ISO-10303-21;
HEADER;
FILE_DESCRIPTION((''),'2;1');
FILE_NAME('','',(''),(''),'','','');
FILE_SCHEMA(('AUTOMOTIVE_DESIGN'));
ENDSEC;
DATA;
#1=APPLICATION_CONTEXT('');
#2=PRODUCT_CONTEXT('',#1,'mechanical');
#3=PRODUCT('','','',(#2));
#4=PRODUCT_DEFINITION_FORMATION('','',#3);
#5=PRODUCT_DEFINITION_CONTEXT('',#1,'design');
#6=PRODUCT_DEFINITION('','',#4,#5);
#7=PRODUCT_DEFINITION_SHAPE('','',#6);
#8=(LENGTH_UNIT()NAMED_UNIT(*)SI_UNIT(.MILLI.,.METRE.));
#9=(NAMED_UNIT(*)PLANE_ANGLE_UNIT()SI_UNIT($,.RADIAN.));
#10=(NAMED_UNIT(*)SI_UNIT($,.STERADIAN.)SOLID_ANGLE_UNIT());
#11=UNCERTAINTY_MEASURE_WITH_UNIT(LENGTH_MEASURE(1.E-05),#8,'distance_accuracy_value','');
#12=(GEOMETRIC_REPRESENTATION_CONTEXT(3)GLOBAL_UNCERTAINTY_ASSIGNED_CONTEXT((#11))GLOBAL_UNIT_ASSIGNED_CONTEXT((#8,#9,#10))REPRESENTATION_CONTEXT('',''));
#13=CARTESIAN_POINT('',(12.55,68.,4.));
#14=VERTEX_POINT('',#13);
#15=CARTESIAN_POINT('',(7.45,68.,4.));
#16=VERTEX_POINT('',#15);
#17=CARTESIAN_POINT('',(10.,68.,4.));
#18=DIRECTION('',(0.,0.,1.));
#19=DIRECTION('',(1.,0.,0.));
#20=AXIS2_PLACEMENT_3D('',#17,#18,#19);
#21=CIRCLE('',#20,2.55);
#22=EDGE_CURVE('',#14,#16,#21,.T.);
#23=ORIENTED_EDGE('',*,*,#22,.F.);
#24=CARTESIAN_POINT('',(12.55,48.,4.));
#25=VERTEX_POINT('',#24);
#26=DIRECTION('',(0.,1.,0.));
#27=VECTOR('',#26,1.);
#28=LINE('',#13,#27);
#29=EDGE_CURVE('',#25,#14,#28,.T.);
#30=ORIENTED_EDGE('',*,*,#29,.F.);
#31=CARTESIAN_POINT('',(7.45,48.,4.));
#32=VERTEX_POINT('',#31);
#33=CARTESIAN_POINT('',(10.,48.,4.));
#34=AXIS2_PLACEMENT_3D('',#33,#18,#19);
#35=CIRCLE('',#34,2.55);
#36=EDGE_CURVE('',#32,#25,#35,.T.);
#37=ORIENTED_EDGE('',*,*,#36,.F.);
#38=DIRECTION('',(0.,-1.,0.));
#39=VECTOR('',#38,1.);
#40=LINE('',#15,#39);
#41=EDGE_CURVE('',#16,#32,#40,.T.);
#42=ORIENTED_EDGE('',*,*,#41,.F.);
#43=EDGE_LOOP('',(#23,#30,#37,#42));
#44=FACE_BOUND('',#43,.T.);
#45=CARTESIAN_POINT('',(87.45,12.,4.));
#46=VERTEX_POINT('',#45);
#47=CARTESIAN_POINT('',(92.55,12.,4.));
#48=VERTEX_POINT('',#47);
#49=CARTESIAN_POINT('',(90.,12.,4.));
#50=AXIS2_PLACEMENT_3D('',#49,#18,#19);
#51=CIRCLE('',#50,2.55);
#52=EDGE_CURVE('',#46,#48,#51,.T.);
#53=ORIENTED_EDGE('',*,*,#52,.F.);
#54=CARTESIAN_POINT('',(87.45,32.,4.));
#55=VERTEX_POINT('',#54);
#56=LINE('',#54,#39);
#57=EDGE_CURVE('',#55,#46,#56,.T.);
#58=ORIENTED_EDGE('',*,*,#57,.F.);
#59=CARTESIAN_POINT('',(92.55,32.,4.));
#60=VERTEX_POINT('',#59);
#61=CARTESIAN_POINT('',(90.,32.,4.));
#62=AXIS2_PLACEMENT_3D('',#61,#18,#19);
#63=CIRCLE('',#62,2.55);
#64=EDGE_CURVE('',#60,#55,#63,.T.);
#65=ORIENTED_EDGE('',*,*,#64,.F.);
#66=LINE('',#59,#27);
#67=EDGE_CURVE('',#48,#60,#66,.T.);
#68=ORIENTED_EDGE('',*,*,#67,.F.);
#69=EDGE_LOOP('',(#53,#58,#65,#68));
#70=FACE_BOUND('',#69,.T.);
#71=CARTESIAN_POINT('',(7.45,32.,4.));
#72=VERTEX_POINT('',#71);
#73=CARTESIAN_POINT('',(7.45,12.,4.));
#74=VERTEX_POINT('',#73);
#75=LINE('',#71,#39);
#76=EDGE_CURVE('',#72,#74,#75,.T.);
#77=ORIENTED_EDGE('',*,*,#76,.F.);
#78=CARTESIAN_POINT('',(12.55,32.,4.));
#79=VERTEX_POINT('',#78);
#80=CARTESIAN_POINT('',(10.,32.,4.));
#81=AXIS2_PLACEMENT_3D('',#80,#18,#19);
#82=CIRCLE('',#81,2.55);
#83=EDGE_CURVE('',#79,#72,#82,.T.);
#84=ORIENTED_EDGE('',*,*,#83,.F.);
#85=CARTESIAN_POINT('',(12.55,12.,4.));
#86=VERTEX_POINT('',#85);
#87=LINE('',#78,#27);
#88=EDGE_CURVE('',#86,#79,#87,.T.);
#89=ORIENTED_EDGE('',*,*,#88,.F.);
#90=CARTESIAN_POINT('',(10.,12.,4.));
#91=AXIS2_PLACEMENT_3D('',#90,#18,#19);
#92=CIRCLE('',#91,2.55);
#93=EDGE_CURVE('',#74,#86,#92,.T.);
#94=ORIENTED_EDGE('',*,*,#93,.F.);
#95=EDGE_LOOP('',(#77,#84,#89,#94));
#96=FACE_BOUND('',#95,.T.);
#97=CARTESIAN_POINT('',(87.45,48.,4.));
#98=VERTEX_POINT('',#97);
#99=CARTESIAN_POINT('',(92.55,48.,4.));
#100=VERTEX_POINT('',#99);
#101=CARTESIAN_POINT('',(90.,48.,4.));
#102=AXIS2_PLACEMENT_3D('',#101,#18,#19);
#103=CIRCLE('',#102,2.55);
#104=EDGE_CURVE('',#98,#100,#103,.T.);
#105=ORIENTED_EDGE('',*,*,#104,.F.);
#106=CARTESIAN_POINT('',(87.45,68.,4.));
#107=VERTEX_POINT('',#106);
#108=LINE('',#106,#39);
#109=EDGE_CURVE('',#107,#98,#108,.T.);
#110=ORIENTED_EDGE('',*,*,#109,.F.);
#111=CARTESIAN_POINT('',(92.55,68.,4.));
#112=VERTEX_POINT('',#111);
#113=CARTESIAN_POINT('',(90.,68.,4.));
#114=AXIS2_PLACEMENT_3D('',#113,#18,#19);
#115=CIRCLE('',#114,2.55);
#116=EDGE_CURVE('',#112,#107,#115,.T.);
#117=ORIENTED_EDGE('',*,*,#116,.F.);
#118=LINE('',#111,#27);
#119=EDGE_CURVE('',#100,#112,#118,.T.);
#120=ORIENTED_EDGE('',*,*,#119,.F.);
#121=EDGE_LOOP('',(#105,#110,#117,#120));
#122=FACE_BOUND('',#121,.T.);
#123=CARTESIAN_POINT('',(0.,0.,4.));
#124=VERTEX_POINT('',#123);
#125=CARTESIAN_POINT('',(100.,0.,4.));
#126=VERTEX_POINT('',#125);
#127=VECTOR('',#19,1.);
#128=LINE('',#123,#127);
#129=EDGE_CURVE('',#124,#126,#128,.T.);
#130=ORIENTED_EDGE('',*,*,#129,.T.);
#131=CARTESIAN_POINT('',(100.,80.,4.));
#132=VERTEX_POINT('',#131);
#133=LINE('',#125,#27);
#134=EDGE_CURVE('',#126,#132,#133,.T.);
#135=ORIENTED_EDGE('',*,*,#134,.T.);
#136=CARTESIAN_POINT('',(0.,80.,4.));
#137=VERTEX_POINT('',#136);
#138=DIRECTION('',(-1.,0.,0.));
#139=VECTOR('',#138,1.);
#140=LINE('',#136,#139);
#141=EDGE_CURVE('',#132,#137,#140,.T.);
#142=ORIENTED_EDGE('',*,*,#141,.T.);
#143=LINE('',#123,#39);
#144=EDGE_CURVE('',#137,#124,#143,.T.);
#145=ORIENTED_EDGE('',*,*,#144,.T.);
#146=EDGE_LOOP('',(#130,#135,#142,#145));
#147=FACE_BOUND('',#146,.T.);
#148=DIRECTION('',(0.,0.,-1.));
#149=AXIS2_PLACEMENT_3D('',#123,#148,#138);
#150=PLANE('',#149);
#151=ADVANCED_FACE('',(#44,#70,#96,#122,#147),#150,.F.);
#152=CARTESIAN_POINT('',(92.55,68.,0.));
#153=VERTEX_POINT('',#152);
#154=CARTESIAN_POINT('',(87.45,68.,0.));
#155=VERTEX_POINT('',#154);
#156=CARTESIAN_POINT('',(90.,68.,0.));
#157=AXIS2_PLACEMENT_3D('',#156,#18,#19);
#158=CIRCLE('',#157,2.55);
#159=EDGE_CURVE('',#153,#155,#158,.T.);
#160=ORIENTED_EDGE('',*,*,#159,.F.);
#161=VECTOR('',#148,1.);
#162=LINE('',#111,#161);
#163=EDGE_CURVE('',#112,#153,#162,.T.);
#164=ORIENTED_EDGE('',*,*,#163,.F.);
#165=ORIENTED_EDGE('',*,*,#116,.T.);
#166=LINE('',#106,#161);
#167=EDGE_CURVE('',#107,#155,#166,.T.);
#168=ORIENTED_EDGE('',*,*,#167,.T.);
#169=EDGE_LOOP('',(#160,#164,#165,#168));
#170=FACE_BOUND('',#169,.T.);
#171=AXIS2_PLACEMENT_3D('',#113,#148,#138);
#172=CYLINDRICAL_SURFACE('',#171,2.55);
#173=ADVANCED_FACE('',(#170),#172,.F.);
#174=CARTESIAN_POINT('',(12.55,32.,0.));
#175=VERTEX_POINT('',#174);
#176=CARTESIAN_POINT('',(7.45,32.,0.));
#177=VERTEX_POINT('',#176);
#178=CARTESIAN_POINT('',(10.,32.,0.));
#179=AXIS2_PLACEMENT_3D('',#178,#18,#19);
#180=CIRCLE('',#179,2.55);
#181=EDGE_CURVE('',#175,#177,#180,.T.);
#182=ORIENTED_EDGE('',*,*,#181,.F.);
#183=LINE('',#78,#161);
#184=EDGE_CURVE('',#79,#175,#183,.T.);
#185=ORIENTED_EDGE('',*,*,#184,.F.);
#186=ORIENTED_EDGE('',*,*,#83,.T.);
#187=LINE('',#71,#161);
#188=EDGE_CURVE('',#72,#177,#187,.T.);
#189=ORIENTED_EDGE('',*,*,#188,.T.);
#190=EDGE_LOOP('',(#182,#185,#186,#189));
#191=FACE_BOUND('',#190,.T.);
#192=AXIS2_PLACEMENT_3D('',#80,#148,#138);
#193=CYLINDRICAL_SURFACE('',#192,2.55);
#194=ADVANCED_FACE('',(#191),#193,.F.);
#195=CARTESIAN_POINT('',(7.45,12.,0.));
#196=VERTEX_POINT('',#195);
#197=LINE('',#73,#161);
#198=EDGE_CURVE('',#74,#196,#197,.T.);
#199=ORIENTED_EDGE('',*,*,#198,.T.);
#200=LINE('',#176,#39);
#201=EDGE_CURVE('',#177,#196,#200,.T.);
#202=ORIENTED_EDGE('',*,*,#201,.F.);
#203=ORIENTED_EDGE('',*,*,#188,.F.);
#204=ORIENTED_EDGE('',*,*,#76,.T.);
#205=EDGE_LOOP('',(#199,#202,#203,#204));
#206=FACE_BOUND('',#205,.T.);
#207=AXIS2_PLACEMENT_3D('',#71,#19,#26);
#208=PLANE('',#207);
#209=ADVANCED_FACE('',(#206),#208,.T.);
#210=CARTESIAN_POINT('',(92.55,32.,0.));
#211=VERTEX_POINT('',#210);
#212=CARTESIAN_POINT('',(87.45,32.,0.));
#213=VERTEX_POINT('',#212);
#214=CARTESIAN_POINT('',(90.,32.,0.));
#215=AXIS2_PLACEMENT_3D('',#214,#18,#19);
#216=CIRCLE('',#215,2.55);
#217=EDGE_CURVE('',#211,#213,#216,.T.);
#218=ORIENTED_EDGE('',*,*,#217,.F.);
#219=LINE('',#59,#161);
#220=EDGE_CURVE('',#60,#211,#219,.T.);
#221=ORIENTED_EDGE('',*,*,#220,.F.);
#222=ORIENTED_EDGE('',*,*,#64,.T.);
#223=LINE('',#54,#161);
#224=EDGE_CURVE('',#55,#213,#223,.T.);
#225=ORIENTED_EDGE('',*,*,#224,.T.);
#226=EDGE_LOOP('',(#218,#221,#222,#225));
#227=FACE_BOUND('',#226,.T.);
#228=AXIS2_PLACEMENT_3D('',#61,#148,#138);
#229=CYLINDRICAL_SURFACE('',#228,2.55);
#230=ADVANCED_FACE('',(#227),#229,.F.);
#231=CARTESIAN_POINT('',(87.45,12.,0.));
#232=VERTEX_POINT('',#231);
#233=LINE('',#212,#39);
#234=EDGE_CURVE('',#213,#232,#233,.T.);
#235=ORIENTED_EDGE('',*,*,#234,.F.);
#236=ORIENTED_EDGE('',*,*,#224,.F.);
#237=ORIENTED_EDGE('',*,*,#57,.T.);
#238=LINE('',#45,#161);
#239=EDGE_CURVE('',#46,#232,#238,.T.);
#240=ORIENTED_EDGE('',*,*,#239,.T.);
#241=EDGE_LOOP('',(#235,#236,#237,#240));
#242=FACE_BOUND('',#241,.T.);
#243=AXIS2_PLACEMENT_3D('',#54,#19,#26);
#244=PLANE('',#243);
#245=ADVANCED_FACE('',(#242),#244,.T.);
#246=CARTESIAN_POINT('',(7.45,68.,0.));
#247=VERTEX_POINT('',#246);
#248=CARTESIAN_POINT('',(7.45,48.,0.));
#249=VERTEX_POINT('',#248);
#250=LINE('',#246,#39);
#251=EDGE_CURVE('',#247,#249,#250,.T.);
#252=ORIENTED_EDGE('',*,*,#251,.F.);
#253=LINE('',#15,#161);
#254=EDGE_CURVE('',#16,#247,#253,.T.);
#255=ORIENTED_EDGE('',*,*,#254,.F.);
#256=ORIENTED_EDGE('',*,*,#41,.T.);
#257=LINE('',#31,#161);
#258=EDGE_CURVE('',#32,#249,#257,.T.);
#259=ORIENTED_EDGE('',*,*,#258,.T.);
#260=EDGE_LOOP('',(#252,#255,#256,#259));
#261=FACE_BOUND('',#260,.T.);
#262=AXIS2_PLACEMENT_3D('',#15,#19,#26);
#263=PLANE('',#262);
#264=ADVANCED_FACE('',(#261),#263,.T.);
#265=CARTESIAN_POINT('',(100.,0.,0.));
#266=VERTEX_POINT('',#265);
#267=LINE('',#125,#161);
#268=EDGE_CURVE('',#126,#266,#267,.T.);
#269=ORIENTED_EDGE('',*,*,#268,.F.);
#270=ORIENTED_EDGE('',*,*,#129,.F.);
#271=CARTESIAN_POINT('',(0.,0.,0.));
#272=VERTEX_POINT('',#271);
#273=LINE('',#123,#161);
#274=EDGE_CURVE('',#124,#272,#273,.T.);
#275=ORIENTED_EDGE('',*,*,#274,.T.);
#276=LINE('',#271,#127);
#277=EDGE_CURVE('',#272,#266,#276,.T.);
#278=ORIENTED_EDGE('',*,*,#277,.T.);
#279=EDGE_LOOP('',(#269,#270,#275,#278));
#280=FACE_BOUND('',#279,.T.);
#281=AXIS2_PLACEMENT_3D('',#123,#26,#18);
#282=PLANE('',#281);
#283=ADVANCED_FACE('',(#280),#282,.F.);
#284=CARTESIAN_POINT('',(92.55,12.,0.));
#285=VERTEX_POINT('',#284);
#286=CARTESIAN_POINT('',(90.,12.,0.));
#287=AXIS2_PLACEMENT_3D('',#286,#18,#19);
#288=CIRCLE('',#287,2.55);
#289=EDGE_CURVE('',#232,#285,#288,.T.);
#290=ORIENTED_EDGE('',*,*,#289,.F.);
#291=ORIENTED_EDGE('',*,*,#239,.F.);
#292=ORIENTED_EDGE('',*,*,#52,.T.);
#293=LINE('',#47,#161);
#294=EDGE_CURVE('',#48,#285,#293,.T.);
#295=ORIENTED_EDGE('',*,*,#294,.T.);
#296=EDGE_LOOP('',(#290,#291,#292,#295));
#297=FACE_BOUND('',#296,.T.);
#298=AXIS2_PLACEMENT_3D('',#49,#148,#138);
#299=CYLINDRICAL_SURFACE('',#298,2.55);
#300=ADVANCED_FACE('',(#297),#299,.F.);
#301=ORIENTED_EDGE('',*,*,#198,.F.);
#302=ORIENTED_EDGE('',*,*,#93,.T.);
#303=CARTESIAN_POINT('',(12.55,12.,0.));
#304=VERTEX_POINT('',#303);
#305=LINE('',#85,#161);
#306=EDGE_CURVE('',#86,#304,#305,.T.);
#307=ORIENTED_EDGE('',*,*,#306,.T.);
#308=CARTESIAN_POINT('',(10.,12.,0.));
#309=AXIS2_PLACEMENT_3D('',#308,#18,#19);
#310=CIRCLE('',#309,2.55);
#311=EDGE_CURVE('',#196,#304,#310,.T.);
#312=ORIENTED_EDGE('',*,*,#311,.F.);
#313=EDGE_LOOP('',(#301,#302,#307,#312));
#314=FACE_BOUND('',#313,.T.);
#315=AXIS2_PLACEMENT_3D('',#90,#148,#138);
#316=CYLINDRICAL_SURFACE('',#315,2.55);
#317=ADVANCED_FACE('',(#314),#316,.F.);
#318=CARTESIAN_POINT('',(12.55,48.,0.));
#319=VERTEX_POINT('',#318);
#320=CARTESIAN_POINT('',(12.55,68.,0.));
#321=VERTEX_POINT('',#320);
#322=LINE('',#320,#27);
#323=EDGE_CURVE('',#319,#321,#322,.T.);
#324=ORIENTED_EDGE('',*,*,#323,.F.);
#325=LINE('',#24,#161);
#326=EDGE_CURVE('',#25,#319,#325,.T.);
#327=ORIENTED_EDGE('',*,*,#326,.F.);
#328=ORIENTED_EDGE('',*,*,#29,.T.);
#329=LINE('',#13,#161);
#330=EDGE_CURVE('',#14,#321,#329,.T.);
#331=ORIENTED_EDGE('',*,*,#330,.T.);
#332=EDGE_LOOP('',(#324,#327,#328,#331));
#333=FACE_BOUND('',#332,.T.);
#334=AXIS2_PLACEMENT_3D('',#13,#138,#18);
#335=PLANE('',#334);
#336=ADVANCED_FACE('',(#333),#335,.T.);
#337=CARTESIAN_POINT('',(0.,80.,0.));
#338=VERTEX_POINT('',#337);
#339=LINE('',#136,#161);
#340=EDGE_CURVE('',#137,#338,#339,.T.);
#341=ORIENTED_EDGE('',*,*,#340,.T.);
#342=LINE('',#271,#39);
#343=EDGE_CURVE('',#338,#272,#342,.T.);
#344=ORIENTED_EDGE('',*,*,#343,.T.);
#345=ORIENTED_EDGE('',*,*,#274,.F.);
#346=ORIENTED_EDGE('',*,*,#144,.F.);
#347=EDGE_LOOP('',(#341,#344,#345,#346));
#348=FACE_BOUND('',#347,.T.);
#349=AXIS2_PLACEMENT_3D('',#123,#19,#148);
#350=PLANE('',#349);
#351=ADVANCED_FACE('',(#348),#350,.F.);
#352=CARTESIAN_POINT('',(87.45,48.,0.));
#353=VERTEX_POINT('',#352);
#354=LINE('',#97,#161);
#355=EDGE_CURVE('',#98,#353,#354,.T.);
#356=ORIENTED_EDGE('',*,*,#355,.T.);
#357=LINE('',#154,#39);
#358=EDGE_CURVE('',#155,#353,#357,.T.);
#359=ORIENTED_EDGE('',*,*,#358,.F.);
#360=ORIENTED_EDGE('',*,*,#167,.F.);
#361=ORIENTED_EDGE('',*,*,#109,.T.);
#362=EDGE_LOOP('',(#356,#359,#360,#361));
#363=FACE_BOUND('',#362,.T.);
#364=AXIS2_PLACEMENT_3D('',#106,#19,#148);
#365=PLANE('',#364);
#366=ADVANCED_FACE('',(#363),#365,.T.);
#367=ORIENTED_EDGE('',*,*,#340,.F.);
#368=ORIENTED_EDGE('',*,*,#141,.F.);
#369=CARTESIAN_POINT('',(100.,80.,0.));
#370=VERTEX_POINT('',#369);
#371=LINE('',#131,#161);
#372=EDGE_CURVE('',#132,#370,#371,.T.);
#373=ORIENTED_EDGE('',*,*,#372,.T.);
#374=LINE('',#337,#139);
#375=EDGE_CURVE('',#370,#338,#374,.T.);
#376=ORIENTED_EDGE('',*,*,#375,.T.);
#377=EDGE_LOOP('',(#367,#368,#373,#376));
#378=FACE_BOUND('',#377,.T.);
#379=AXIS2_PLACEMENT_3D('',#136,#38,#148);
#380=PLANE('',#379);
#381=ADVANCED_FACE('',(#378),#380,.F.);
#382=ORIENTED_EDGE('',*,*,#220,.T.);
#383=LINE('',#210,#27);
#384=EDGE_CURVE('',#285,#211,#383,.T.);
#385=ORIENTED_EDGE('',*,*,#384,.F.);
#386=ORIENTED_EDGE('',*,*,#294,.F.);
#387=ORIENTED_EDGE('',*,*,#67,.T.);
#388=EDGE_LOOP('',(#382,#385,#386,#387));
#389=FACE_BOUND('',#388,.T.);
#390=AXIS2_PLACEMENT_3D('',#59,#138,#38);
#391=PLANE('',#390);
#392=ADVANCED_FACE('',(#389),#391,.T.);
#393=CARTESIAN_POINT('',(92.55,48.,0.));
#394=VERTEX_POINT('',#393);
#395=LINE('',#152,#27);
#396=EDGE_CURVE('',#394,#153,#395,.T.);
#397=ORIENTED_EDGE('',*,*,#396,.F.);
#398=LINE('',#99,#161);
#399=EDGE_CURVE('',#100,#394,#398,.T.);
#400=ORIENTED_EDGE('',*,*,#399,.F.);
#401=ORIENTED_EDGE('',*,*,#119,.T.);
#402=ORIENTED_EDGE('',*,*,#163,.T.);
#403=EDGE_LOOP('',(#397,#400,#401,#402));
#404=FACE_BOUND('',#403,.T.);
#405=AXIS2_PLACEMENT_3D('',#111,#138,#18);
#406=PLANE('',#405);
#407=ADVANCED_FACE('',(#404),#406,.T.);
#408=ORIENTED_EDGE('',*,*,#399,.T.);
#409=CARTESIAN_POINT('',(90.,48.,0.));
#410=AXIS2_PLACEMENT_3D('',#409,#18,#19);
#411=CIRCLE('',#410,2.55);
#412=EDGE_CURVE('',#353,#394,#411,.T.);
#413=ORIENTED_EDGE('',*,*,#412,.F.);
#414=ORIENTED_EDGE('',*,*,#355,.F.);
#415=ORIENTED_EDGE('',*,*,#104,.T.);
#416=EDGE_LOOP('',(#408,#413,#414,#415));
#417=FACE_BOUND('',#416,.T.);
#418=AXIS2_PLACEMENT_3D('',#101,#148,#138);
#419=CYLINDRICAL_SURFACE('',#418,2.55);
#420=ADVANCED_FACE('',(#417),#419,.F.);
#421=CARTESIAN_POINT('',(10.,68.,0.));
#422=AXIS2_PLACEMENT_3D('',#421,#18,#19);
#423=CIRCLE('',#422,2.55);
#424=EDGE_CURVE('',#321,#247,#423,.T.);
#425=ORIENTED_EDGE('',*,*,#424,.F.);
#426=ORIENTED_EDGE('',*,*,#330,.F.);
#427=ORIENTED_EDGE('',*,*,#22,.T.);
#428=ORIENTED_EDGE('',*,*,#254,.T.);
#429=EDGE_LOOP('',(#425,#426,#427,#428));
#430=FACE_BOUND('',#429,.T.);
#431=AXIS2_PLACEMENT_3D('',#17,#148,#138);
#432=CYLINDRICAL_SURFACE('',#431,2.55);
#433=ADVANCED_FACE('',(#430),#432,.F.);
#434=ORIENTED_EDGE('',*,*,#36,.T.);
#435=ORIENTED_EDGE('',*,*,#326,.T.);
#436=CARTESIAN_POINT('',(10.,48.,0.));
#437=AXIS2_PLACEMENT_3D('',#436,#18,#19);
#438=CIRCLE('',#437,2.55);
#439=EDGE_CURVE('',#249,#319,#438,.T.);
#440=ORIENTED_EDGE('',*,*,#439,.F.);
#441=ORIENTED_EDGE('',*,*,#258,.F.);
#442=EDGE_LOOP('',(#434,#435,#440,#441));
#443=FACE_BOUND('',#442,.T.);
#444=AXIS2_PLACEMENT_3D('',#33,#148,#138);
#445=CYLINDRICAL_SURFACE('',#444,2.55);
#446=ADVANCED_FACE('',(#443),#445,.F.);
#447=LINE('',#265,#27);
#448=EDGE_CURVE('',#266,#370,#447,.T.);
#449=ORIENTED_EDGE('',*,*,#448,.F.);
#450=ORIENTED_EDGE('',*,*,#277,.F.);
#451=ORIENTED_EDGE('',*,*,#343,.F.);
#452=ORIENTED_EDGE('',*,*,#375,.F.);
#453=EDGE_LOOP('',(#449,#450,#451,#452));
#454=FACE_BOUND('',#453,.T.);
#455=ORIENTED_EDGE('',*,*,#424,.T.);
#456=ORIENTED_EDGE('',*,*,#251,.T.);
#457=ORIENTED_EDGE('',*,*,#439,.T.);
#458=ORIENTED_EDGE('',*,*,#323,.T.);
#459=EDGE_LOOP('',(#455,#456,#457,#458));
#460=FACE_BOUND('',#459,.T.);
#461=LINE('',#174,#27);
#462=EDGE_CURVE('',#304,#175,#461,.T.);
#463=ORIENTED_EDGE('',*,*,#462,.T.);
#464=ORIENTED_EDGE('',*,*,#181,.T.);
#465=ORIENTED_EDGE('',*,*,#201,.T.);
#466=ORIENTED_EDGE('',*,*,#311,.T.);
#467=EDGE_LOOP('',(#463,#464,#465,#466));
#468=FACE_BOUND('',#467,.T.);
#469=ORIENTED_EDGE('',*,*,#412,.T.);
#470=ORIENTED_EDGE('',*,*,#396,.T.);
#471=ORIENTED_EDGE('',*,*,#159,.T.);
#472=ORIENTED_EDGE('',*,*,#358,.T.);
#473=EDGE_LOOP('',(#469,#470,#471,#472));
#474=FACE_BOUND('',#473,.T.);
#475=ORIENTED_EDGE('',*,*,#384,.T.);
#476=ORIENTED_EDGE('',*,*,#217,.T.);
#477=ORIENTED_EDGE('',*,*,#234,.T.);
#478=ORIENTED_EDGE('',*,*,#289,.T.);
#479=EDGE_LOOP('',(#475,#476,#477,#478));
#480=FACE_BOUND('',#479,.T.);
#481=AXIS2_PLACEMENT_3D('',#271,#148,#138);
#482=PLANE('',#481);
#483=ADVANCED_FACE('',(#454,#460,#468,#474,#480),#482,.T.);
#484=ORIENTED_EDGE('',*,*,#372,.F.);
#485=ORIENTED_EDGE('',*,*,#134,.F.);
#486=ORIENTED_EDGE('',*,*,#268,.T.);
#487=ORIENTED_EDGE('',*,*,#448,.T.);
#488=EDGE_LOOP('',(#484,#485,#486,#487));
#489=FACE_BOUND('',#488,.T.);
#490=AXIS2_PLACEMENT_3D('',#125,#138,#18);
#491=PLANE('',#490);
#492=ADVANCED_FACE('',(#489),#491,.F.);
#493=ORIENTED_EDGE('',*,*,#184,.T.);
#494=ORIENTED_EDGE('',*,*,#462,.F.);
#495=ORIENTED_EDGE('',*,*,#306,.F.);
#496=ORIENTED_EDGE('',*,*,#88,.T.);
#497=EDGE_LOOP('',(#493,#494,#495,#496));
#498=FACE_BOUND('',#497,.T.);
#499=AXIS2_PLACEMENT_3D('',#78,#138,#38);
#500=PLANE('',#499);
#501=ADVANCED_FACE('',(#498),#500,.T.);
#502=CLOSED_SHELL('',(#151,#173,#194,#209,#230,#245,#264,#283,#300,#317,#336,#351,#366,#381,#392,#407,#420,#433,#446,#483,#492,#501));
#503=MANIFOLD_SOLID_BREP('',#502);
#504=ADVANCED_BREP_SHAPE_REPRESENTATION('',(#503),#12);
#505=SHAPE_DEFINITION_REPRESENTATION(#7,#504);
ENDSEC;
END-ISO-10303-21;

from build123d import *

# Parameters (mm, degrees)
SKETCH1_W           = 100
SKETCH1_H           = 80
BOSS_EXTRUDE1_DEPTH = 4


with BuildPart() as part:
    # Sketch1 → Boss-Extrude1 (new body)
    with BuildSketch(Plane.XY):
        with Locations((50, 40)):
            Rectangle(SKETCH1_W, SKETCH1_H)
        with BuildLine():
            Line((12.55, 68), (12.55, 48))
            ThreePointArc((12.55, 48), (10, 45.45), (7.45, 48))
            Line((7.45, 48), (7.45, 68))
            ThreePointArc((7.45, 68), (10, 70.55), (12.55, 68))
        make_face(mode=Mode.SUBTRACT)
        with BuildLine():
            Line((12.55, 32), (12.55, 12))
            ThreePointArc((12.55, 12), (10, 9.45), (7.45, 12))
            Line((7.45, 12), (7.45, 32))
            ThreePointArc((7.45, 32), (10, 34.55), (12.55, 32))
        make_face(mode=Mode.SUBTRACT)
        with BuildLine():
            Line((92.55, 68), (92.55, 48))
            ThreePointArc((92.55, 48), (90, 45.45), (87.45, 48))
            Line((87.45, 48), (87.45, 68))
            ThreePointArc((87.45, 68), (90, 70.55), (92.55, 68))
        make_face(mode=Mode.SUBTRACT)
        with BuildLine():
            Line((92.55, 32), (92.55, 12))
            ThreePointArc((92.55, 12), (90, 9.45), (87.45, 12))
            Line((87.45, 12), (87.45, 32))
            ThreePointArc((87.45, 32), (90, 34.55), (92.55, 32))
        make_face(mode=Mode.SUBTRACT)
    extrude(amount=BOSS_EXTRUDE1_DEPTH)


solid = part.part
